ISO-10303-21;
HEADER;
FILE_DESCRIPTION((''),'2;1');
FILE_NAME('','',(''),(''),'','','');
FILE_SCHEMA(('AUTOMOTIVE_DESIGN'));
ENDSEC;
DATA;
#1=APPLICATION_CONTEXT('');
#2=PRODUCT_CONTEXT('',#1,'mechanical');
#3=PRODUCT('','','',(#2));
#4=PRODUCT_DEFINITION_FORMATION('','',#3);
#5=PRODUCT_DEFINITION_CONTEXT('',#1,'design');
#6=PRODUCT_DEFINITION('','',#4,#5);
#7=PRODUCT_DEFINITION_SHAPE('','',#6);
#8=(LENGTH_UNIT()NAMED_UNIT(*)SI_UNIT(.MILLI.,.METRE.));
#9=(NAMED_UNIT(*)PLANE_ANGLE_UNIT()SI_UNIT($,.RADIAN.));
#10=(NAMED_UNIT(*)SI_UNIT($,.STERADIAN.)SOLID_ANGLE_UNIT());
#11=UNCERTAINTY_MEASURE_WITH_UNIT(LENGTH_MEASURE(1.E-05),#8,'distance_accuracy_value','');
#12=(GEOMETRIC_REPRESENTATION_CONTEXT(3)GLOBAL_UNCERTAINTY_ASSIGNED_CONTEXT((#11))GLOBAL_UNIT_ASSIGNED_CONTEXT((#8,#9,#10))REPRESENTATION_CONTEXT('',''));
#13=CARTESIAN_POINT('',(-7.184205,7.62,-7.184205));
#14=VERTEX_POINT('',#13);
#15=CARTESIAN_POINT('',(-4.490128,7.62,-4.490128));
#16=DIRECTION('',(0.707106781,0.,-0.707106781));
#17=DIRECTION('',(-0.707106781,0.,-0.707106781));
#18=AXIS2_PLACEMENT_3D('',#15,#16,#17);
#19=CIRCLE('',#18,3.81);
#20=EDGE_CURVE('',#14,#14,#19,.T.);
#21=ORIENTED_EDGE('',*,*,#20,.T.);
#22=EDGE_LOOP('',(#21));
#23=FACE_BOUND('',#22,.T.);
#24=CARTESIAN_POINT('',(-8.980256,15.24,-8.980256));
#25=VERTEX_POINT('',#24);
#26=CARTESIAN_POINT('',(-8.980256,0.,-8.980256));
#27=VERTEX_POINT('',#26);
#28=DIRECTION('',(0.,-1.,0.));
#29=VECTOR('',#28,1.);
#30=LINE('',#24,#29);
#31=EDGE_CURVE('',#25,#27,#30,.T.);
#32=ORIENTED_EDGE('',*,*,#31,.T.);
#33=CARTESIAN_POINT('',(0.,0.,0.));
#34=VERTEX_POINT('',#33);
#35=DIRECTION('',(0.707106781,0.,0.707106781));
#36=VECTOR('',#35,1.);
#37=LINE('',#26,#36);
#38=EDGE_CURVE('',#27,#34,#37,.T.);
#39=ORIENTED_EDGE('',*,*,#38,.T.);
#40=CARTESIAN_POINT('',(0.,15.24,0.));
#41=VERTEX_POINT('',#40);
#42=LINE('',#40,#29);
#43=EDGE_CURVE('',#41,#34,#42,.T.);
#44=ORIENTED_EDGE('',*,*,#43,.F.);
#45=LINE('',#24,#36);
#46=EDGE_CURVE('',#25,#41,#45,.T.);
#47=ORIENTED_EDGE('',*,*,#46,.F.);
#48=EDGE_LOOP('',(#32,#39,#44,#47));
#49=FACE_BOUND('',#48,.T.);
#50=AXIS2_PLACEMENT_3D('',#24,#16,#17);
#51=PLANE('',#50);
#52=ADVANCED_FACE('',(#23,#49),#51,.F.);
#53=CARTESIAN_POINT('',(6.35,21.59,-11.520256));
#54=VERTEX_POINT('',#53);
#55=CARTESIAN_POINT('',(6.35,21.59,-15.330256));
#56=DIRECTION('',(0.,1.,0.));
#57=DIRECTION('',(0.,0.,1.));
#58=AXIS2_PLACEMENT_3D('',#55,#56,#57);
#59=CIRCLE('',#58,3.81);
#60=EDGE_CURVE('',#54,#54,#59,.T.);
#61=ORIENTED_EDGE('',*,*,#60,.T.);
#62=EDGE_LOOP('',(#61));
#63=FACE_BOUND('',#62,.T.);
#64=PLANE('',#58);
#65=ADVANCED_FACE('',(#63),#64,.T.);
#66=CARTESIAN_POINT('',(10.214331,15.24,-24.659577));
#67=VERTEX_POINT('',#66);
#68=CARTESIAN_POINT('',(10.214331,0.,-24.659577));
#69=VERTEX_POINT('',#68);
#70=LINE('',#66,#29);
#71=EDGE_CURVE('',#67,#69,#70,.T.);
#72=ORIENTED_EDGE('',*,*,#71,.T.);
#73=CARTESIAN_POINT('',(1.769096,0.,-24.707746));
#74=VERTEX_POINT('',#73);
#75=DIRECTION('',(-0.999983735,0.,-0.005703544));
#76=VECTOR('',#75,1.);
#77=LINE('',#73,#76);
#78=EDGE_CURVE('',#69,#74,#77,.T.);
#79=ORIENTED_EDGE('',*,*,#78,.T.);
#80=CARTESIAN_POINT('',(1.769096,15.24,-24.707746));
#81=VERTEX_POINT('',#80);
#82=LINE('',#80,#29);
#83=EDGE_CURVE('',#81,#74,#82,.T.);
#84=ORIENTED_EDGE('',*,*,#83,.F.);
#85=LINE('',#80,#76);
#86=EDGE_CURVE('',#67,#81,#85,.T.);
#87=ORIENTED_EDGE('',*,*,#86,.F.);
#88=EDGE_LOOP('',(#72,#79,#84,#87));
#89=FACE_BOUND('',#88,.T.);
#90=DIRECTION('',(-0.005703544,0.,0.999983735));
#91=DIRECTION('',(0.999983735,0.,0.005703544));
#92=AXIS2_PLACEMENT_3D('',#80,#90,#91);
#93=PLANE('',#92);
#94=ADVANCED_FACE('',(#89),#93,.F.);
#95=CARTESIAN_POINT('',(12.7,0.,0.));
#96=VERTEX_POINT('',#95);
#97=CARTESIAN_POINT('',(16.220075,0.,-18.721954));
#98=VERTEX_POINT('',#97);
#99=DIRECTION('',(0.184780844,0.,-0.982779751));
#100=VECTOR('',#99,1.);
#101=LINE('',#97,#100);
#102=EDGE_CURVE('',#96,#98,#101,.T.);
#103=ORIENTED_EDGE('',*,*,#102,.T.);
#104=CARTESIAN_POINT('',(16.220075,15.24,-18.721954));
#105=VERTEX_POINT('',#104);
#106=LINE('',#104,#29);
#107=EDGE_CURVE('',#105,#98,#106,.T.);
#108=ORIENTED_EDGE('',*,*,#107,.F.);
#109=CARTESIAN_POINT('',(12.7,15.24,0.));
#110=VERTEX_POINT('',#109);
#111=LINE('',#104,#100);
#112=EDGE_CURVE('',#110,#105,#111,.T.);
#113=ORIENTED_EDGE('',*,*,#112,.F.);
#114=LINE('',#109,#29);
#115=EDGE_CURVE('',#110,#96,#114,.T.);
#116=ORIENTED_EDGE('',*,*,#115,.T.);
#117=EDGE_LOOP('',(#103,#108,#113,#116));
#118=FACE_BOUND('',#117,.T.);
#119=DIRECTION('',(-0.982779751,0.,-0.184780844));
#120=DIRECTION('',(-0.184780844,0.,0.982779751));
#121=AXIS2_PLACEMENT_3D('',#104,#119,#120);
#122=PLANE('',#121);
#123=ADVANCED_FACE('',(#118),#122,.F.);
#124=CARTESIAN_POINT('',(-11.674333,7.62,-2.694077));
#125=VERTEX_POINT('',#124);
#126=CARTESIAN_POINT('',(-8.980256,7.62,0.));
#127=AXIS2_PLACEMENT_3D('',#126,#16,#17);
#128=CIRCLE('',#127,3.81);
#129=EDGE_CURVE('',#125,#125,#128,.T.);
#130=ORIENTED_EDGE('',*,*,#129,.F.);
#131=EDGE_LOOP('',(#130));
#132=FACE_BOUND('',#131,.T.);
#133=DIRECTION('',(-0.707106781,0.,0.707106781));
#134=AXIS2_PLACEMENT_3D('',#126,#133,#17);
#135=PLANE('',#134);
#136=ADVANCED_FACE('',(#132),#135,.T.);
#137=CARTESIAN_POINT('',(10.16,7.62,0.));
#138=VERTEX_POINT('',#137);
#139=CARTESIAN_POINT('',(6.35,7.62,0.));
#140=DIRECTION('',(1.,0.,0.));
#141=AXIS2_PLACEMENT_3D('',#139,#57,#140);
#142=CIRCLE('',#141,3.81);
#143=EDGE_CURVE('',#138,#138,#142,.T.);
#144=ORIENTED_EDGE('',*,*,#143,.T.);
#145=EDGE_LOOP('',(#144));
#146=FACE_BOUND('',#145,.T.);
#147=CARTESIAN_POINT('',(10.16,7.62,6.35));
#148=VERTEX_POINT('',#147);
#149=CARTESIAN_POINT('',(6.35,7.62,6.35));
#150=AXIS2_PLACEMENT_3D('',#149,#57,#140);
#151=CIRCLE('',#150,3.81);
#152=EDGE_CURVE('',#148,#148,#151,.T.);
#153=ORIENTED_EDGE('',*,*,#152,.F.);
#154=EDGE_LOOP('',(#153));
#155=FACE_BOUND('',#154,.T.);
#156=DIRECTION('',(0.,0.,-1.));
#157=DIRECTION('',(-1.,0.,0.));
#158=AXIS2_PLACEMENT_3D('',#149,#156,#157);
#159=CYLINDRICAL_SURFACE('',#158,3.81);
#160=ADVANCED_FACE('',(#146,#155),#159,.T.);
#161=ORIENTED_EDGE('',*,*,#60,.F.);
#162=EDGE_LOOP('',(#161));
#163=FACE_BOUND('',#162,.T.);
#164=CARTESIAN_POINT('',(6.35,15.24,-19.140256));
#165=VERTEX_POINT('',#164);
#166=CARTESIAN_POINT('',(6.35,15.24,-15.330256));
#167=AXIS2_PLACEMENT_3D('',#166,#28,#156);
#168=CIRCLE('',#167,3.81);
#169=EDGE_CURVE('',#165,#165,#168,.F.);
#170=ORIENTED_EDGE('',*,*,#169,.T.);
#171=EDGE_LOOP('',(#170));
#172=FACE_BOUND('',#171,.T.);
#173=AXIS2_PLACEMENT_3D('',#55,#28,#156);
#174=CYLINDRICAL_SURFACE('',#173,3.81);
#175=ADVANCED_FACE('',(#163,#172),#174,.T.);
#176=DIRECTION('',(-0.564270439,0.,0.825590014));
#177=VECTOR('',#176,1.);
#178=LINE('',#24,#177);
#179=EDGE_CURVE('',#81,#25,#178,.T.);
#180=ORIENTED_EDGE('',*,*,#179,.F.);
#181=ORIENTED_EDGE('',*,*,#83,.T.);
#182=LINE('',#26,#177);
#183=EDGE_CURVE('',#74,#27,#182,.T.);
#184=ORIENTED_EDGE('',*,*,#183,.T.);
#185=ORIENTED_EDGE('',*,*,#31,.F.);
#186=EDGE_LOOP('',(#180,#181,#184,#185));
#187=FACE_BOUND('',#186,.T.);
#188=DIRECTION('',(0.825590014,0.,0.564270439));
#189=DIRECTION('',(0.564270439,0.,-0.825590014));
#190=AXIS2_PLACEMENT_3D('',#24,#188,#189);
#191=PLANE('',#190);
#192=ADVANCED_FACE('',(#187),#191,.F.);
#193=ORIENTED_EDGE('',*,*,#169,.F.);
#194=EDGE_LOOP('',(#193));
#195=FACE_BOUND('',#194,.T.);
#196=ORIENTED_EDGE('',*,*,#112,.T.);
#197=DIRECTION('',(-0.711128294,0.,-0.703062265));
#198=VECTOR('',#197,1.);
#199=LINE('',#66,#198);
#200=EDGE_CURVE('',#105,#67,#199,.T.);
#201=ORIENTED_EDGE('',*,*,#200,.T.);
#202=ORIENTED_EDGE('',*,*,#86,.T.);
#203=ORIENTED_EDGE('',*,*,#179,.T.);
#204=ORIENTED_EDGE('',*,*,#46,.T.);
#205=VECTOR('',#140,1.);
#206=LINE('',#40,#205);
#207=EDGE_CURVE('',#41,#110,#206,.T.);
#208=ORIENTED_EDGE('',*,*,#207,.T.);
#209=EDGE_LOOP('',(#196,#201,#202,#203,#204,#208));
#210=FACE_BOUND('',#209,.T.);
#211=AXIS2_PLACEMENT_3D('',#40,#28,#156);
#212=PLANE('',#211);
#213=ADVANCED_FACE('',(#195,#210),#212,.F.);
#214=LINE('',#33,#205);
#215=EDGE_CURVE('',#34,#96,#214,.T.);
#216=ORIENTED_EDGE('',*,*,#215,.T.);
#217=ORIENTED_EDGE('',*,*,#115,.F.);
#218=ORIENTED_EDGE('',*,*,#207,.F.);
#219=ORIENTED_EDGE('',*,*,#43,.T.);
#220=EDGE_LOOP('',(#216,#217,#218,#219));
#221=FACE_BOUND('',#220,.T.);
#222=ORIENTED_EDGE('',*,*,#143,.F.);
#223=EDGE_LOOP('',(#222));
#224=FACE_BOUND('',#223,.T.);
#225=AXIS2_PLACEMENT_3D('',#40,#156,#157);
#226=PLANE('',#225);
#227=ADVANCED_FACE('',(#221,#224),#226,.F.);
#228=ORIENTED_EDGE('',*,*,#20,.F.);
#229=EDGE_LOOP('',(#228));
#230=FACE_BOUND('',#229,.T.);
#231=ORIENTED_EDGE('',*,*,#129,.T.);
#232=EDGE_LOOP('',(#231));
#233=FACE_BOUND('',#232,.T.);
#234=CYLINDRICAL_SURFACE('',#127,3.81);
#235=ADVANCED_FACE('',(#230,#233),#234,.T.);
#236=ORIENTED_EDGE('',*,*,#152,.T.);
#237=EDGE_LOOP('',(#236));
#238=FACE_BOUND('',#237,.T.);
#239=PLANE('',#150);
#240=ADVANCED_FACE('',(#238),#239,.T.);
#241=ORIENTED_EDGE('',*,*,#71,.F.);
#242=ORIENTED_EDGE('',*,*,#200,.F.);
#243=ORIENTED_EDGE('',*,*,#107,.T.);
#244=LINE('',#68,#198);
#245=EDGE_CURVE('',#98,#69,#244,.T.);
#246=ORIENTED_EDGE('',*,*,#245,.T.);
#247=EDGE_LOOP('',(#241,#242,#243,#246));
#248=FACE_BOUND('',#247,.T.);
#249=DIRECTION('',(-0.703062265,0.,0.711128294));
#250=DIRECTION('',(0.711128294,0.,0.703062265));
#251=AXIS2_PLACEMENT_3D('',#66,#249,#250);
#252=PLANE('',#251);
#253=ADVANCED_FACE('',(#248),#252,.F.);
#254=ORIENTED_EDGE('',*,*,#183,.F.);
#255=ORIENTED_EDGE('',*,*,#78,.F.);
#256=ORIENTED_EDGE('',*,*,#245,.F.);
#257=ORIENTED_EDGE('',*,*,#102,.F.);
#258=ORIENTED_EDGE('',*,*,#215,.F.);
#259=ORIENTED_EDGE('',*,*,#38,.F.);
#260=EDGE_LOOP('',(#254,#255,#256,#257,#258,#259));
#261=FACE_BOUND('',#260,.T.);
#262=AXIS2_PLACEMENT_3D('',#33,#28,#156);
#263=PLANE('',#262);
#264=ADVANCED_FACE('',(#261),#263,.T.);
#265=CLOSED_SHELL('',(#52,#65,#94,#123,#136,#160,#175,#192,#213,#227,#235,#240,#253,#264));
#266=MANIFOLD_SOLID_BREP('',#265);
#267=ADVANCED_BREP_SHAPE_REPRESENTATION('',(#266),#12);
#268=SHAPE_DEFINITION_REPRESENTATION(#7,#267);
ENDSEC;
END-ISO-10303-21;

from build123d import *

# Parameters (mm, degrees)
BOSS_EXTRUDE1_DEPTH = 15.24
SKETCH2_R           = 3.81
BOSS_EXTRUDE2_DEPTH = 6.35
SKETCH5_R           = 3.81
BOSS_EXTRUDE3_DEPTH = 6.35


with BuildPart() as part:
    # Sketch1 → Boss-Extrude1 (new body)
    with BuildSketch(Plane(origin=(0, 0, 0), x_dir=(1, 0, 0), z_dir=(0, 1, 0))):
        Polygon((-8.980256121, 8.980256121), (0, 0), (12.7, 0), (16.220075072, 18.721954265), (10.214331376, 24.659577338), (1.769095743, 24.707745892), align=None)
    extrude(amount=BOSS_EXTRUDE1_DEPTH)

    # Sketch2 → Boss-Extrude2 (add)
    with BuildSketch(Plane.XY):
        with Locations((6.35, 7.62)):
            Circle(SKETCH2_R)
    boss_extrude2 = extrude(amount=BOSS_EXTRUDE2_DEPTH)

    # Mirror1: Boss-Extrude2 across plane
    add(boss_extrude2.mirror(Plane(origin=(0, 0, 0), x_dir=(-0.382683432, 0, 0.923879533), z_dir=(0.923879533, 0, 0.382683432))))

    # Sketch5 → Boss-Extrude3 (add)
    with BuildSketch(Plane(origin=(0, 15.24, 0), x_dir=(1, 0, 0), z_dir=(0, 1, 0))):
        with Locations((6.35, 15.330256121)):
            Circle(SKETCH5_R)
    extrude(amount=BOSS_EXTRUDE3_DEPTH)


solid = part.part
